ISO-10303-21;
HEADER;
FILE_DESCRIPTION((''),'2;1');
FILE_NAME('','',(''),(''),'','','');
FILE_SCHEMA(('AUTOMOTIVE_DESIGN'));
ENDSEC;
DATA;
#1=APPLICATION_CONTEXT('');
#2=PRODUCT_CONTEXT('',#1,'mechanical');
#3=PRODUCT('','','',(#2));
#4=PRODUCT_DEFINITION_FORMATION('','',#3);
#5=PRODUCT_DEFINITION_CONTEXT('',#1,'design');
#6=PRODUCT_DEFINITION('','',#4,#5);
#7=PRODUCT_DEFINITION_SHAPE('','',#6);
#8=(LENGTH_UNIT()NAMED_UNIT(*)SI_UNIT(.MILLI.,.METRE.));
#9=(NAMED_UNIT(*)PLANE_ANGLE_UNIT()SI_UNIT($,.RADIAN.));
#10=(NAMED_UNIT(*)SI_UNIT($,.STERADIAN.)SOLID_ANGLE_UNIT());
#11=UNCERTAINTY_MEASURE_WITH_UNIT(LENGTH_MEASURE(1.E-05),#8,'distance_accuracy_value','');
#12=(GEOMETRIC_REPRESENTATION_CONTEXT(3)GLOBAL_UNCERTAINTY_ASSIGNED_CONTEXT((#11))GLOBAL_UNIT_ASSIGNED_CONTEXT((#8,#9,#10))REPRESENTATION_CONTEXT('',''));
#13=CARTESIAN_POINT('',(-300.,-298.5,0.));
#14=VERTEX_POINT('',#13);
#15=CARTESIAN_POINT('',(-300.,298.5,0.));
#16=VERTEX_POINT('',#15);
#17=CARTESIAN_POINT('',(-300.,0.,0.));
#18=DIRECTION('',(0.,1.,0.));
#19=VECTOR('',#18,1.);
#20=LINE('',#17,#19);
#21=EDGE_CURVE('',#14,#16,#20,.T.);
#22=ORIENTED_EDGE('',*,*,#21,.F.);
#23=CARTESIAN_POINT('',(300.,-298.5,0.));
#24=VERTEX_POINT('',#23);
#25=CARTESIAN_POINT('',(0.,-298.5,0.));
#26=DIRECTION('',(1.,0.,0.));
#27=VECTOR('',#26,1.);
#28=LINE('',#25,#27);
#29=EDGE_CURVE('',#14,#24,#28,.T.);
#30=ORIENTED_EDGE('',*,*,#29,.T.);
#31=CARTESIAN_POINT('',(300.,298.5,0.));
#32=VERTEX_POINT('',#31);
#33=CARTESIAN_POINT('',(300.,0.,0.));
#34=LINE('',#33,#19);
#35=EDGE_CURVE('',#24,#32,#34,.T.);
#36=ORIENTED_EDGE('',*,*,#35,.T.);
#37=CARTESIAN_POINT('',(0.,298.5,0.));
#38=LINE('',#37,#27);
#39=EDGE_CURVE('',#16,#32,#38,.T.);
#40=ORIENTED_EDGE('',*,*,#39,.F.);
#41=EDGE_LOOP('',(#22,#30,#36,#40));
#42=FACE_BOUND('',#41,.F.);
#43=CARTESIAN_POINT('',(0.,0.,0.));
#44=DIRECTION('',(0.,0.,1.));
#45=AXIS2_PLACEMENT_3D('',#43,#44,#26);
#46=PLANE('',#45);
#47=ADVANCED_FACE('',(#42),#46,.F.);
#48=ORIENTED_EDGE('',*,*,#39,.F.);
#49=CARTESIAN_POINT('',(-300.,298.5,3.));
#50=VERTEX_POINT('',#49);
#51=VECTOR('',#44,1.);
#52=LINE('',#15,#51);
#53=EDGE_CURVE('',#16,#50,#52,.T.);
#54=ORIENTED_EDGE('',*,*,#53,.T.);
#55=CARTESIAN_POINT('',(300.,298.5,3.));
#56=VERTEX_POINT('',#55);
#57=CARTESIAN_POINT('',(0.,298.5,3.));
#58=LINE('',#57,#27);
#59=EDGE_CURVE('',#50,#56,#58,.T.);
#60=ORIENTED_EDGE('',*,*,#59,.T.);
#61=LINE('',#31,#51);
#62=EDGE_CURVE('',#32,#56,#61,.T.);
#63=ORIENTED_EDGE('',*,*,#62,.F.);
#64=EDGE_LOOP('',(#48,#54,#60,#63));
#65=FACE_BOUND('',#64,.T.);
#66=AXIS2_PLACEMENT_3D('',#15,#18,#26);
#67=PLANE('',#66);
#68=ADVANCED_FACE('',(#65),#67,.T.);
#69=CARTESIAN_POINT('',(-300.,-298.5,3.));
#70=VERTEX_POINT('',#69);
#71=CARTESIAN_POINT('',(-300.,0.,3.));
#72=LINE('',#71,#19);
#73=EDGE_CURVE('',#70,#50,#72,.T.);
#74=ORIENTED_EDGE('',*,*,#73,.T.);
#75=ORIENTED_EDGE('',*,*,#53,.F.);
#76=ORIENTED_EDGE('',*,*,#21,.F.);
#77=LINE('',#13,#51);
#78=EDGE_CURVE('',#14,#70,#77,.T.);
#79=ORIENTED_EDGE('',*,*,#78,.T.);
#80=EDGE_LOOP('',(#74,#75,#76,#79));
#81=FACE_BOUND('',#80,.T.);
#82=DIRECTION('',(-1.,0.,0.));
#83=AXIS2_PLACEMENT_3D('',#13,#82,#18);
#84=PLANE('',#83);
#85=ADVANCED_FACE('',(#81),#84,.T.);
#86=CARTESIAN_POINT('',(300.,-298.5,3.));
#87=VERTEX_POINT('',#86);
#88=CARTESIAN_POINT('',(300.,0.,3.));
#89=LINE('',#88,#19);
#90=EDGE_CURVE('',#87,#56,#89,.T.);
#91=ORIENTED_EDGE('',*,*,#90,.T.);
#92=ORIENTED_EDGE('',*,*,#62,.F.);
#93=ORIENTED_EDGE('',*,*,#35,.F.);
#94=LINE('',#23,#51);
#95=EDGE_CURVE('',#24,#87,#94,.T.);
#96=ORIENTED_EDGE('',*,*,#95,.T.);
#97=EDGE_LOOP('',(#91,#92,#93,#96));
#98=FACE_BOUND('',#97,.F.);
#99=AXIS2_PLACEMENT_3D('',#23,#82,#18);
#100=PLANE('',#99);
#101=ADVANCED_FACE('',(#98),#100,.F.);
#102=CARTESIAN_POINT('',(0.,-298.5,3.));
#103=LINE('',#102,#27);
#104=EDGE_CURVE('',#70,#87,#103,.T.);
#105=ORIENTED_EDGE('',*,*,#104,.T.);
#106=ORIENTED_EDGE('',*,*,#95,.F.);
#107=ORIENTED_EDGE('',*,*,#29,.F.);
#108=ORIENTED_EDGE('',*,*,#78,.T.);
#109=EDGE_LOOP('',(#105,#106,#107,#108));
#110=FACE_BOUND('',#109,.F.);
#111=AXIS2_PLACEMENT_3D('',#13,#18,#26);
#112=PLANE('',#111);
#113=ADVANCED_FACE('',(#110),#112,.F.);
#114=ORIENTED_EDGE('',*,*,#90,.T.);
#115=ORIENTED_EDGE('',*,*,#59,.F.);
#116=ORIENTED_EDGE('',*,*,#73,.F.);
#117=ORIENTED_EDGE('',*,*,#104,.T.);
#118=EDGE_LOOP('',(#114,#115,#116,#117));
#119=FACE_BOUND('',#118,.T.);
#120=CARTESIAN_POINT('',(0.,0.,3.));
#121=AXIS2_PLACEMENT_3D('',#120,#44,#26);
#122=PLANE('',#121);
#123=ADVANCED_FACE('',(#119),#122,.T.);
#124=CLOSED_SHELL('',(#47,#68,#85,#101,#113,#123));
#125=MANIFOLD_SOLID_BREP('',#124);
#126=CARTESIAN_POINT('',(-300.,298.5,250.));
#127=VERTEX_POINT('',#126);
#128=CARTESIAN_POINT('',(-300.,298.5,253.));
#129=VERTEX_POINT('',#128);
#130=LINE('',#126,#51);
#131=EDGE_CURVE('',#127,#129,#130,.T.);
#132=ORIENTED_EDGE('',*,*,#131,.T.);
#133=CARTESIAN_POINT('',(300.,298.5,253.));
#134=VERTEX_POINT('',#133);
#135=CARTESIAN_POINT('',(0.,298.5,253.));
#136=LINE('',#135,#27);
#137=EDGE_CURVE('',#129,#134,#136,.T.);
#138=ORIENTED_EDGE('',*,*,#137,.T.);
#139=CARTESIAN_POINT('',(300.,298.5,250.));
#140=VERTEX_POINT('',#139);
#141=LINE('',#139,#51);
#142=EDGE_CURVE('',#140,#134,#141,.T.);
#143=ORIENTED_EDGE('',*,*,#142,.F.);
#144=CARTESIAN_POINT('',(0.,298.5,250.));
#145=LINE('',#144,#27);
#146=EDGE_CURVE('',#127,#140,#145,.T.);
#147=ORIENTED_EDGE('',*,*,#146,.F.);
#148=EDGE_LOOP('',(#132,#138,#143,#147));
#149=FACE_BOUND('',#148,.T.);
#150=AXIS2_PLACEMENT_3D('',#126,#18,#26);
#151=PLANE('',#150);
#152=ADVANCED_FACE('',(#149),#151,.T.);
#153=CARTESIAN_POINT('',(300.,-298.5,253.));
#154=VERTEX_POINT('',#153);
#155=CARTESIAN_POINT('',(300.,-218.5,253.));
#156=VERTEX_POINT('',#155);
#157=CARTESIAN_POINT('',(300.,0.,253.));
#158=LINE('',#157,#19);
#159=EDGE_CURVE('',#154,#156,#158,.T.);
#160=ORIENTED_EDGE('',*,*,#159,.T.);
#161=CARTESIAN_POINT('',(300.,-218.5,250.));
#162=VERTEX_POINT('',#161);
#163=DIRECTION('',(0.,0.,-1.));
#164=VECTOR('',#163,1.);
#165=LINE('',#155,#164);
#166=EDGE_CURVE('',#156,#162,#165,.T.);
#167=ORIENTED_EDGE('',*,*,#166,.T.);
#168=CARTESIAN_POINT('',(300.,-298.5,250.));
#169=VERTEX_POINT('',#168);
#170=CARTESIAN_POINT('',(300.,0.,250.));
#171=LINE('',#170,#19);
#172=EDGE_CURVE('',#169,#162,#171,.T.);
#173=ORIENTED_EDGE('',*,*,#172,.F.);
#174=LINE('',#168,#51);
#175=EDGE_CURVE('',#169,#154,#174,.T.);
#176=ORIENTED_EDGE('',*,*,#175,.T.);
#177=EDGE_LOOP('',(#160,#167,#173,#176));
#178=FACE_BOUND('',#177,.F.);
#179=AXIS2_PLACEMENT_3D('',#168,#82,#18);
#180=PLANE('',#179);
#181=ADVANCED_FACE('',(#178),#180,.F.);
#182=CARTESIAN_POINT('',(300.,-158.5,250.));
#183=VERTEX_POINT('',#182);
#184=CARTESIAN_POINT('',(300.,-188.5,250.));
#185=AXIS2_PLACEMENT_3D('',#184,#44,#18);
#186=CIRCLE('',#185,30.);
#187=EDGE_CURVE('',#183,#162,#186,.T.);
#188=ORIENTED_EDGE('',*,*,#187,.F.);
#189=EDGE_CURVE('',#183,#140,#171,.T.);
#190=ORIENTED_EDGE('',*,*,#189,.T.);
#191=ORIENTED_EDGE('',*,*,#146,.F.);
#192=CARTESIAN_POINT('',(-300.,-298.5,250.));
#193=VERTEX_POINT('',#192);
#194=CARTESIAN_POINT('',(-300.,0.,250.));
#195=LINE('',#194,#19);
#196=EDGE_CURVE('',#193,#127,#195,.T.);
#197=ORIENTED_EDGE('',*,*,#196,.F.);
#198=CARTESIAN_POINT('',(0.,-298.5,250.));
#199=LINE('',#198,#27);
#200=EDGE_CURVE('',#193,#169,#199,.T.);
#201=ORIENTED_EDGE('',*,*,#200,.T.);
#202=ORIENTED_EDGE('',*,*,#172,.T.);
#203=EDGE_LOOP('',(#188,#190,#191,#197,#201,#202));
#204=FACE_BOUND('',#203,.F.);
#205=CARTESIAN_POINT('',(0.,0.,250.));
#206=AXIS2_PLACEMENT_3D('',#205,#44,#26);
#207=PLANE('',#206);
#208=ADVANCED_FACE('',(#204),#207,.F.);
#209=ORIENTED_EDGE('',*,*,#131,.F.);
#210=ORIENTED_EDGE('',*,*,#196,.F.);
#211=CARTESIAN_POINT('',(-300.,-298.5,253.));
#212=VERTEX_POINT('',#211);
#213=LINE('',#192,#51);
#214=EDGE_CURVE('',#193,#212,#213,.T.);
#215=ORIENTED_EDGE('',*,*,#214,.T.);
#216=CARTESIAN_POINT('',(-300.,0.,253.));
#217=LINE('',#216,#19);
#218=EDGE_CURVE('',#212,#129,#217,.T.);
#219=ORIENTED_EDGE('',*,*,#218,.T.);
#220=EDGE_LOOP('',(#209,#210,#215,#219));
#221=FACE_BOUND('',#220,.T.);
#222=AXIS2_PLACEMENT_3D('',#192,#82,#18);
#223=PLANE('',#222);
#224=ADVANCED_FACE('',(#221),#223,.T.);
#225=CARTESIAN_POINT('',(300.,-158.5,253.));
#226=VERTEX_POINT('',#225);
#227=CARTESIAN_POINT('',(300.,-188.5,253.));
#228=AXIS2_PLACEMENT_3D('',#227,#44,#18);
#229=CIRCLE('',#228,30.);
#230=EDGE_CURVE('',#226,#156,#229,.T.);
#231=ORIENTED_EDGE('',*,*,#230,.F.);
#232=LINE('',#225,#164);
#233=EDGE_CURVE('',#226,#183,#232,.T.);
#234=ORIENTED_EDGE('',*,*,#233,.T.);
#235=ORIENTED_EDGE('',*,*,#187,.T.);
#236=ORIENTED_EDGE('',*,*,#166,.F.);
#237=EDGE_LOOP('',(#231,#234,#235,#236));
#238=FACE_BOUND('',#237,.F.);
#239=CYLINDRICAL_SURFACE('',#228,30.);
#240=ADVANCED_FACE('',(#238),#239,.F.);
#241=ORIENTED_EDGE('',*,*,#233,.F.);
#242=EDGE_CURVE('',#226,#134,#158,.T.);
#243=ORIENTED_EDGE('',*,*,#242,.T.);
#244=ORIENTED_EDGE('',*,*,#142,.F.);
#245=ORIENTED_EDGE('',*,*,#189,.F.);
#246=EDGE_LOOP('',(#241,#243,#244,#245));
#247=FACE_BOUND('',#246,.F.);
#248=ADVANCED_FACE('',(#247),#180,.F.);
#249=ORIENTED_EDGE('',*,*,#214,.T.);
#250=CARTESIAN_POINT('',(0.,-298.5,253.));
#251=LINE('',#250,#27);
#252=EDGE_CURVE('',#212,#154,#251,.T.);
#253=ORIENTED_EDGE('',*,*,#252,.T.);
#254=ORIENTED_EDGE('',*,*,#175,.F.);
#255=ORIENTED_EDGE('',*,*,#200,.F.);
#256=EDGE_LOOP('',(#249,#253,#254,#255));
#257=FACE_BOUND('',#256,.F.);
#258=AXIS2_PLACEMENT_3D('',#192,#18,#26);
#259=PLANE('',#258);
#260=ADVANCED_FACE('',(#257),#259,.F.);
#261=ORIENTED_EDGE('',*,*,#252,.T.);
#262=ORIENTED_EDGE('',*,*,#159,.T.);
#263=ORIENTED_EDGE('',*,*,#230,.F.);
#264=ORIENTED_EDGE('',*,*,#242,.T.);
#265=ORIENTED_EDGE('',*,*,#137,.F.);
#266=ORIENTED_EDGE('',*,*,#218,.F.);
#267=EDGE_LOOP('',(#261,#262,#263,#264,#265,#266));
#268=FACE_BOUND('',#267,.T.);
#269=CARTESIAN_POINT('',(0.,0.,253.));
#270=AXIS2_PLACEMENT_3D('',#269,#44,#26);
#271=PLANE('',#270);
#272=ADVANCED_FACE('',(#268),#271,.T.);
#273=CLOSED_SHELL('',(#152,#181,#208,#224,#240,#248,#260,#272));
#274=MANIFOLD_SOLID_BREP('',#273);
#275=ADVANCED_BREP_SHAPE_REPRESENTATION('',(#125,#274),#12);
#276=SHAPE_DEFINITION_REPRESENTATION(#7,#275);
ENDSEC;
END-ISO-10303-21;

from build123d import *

# Parameters (mm, degrees)
F0_W     = 600
F0_H     = 597
F1_DEPTH = 3
F4_DEPTH = 3


with BuildPart() as f1:
    # F0 (on Top) → F1 (new body)
    with BuildSketch(Plane.XY):
        Rectangle(F0_W, F0_H)
    extrude(amount=F1_DEPTH)


with BuildPart() as f2_1:
    # F2: copy of F1
    add(f1.part.moved(Location((0, 0, 250))))

    # F3 (on face) → F4 (cut, through all)
    with BuildSketch(Plane.XY.offset(253)):
        with BuildLine():
            ThreePointArc((300, -158.5), (270, -188.5), (300, -218.5))
            Line((300, -218.5), (300, -158.5))
        make_face()
    extrude(amount=-F4_DEPTH, mode=Mode.SUBTRACT)


solid = Compound([f1.part, f2_1.part])
